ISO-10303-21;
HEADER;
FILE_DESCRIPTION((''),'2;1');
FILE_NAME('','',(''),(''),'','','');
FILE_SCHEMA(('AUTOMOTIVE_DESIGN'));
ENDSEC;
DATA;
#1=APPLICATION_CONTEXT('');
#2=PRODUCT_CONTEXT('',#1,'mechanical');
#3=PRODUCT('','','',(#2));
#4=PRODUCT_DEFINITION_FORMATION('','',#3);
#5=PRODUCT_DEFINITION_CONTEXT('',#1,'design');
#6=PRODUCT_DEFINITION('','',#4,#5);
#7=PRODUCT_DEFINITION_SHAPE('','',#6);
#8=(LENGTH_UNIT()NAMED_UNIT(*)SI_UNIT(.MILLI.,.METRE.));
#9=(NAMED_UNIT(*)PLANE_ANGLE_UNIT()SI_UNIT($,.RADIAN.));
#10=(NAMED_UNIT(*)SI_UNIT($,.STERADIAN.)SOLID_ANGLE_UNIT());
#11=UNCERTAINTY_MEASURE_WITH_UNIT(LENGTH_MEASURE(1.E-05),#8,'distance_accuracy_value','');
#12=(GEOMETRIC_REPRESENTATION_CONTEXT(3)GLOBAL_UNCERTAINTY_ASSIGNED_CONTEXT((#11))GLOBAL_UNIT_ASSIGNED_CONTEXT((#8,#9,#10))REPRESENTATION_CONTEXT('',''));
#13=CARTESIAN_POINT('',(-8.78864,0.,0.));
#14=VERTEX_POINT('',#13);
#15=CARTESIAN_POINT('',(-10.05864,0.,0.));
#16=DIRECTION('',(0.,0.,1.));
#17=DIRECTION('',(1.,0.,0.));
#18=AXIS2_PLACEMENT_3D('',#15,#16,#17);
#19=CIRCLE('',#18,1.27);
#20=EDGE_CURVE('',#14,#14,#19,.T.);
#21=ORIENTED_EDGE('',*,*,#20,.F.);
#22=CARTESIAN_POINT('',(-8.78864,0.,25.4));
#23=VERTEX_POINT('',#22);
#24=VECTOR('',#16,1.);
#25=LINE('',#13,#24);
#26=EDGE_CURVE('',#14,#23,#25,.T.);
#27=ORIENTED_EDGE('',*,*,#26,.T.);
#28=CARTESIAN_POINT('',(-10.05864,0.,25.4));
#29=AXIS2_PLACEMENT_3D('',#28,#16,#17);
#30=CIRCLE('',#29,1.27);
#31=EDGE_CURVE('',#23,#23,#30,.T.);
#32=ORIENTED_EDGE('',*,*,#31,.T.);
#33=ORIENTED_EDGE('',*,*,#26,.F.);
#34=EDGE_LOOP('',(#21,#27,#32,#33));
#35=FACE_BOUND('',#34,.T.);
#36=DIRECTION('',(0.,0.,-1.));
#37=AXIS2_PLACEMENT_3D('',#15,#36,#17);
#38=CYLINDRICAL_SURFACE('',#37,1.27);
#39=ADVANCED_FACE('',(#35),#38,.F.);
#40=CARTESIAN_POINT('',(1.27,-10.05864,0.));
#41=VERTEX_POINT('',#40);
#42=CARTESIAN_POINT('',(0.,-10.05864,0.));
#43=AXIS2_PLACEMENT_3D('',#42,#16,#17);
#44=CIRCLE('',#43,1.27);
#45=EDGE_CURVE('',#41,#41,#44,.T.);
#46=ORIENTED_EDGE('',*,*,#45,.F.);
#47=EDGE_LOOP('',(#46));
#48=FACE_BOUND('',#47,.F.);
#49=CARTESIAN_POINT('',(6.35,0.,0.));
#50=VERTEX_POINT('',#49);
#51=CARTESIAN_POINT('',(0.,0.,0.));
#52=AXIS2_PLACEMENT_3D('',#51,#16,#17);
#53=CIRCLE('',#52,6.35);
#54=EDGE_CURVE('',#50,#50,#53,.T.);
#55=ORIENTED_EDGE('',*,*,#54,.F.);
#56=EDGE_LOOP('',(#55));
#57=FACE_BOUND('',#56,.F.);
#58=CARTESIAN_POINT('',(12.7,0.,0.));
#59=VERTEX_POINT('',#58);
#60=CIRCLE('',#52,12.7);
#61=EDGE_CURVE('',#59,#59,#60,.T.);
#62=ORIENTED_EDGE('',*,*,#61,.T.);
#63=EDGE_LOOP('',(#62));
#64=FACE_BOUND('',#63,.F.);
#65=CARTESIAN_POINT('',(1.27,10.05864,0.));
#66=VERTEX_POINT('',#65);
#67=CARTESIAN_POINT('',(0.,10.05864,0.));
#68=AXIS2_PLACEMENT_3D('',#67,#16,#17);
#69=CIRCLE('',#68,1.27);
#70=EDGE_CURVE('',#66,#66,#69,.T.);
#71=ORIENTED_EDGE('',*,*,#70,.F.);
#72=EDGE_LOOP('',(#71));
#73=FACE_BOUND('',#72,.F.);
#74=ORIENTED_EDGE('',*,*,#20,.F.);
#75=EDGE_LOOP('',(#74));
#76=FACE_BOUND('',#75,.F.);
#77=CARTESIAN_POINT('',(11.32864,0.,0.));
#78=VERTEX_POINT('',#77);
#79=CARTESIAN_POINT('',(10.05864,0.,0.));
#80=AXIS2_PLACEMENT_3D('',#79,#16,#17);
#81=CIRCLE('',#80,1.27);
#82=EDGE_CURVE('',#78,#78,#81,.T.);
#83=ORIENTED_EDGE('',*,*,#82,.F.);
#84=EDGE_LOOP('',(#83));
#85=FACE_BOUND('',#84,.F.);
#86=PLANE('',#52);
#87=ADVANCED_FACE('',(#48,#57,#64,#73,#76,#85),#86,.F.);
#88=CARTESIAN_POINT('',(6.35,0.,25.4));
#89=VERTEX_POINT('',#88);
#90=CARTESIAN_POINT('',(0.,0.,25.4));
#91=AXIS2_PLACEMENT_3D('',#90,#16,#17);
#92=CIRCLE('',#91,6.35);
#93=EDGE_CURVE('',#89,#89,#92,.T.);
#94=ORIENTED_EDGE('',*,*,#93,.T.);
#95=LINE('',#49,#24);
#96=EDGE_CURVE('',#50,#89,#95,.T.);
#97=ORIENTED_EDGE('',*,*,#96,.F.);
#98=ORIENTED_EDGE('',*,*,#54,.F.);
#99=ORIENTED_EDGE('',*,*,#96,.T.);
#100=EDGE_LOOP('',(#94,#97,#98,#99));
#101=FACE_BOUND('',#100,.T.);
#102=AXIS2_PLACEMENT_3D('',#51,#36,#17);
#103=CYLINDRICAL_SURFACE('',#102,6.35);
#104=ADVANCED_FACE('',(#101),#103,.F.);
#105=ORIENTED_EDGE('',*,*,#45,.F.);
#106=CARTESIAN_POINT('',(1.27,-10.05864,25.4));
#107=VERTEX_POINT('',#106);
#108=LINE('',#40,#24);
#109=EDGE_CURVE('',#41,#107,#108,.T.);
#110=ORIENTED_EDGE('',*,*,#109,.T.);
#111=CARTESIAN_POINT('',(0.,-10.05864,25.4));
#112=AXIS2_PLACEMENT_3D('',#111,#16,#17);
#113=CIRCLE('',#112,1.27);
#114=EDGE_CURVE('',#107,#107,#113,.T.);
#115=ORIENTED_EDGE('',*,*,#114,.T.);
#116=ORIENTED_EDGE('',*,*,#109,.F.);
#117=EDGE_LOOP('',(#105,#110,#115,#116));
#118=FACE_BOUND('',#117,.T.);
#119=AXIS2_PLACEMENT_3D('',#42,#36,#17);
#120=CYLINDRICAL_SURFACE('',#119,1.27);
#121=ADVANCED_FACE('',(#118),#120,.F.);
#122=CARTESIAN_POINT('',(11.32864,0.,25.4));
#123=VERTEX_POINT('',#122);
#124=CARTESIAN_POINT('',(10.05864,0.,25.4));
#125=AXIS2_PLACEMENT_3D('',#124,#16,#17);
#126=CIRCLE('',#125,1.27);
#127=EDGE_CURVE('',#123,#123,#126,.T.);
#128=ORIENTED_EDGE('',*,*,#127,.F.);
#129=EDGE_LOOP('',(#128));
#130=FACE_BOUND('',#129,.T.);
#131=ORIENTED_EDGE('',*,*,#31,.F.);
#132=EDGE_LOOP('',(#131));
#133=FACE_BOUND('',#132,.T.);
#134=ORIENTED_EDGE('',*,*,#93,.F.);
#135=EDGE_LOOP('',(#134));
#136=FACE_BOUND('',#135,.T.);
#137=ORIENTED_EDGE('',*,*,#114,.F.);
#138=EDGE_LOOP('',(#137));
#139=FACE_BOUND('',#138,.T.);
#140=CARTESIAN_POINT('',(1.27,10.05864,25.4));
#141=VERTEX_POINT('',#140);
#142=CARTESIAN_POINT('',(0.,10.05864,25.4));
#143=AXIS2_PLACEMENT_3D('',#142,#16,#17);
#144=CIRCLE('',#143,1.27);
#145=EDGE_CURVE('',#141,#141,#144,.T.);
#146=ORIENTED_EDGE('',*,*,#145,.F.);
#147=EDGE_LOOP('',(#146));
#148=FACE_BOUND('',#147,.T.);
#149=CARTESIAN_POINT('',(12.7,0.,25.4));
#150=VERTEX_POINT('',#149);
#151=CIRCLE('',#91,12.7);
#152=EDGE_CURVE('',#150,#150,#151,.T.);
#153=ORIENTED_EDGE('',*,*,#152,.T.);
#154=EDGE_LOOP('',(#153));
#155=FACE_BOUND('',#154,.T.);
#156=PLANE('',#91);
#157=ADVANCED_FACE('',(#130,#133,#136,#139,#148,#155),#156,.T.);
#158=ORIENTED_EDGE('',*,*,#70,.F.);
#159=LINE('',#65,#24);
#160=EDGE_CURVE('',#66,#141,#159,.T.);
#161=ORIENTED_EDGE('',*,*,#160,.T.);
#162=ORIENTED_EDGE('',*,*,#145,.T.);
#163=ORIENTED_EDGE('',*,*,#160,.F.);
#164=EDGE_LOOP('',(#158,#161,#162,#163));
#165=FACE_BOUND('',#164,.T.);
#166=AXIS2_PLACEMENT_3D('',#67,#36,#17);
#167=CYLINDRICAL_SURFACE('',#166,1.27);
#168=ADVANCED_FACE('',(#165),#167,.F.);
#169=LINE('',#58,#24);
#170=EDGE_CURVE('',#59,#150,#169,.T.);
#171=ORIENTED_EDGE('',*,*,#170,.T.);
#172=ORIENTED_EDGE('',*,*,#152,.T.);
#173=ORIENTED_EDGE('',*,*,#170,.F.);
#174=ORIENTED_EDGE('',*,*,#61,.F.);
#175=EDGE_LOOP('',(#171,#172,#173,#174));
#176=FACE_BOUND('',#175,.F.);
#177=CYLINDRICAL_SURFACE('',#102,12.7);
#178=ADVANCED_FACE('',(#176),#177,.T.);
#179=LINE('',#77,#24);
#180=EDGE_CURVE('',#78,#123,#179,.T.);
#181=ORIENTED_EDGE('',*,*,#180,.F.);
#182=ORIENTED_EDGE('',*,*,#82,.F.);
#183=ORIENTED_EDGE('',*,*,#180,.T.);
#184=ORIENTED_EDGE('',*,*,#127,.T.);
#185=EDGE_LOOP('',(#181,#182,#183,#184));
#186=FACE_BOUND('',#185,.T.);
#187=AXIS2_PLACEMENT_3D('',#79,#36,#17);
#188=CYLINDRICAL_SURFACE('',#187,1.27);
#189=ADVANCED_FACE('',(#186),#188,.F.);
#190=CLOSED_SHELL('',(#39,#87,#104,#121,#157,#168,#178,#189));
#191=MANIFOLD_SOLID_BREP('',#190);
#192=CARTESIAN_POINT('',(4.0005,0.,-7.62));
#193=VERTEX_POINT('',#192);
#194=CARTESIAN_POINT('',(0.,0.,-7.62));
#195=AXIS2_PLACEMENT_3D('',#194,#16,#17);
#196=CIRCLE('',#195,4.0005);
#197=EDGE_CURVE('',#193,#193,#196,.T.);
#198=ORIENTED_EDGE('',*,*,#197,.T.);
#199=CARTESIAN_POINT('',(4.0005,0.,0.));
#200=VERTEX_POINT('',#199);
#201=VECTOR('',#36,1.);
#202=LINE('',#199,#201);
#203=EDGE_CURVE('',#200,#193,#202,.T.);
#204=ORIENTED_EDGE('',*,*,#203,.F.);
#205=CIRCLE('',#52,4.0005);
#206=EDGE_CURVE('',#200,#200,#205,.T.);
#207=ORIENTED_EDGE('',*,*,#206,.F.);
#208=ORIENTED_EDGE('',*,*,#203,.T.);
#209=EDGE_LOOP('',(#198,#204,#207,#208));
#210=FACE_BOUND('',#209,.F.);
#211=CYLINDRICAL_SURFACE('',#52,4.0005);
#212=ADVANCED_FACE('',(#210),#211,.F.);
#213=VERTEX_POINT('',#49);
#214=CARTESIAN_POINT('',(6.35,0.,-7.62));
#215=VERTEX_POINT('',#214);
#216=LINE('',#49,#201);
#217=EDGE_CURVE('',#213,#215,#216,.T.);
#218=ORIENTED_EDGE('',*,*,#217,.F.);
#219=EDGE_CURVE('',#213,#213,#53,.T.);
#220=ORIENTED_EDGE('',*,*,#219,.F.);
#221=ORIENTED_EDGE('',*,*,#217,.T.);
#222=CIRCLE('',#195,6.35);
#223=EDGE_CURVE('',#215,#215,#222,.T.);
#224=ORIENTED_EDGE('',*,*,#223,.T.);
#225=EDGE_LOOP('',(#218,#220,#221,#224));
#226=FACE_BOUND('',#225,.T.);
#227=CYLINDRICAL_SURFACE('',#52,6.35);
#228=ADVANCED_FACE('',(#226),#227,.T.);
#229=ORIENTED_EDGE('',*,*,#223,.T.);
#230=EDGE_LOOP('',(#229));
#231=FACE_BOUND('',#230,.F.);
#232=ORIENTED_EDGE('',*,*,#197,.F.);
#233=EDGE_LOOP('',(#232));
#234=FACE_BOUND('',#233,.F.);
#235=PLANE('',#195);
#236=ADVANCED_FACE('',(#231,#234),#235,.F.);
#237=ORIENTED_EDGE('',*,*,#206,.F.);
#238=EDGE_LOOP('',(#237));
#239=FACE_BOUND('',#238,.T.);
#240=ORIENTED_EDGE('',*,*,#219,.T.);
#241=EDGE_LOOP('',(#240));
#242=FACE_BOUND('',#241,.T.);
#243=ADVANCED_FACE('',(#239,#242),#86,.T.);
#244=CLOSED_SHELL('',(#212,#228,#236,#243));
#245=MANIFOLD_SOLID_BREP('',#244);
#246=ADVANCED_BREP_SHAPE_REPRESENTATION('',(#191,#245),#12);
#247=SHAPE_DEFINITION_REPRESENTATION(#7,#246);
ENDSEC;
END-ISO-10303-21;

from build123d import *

# Parameters (mm, degrees)
F0_R     = 12.7
F0_R_2   = 1.27
F0_R_3   = 6.35
F1_DEPTH = 25.4
F0_R_4   = 4.0005
F2_DEPTH = 7.62


with BuildPart() as f1:
    # F0 (on Top) → F1 (new body)
    with BuildSketch(Plane.XY):
        Circle(F0_R)
        with Locations((0, -10.05864)):
            Circle(F0_R_2, mode=Mode.SUBTRACT)
        with Locations((-10.05864, 0)):
            Circle(F0_R_2, mode=Mode.SUBTRACT)
        Circle(F0_R_3, mode=Mode.SUBTRACT)
        with Locations((10.05864, 0)):
            Circle(F0_R_2, mode=Mode.SUBTRACT)
        with Locations((0, 10.05864)):
            Circle(F0_R_2, mode=Mode.SUBTRACT)
    extrude(amount=F1_DEPTH)

    # F0 (on Top) → F2 (join)
    with BuildSketch(Plane.XY):
        Circle(F0_R_3)
        Circle(F0_R_4, mode=Mode.SUBTRACT)
    extrude(amount=-F2_DEPTH)


solid = f1.part
